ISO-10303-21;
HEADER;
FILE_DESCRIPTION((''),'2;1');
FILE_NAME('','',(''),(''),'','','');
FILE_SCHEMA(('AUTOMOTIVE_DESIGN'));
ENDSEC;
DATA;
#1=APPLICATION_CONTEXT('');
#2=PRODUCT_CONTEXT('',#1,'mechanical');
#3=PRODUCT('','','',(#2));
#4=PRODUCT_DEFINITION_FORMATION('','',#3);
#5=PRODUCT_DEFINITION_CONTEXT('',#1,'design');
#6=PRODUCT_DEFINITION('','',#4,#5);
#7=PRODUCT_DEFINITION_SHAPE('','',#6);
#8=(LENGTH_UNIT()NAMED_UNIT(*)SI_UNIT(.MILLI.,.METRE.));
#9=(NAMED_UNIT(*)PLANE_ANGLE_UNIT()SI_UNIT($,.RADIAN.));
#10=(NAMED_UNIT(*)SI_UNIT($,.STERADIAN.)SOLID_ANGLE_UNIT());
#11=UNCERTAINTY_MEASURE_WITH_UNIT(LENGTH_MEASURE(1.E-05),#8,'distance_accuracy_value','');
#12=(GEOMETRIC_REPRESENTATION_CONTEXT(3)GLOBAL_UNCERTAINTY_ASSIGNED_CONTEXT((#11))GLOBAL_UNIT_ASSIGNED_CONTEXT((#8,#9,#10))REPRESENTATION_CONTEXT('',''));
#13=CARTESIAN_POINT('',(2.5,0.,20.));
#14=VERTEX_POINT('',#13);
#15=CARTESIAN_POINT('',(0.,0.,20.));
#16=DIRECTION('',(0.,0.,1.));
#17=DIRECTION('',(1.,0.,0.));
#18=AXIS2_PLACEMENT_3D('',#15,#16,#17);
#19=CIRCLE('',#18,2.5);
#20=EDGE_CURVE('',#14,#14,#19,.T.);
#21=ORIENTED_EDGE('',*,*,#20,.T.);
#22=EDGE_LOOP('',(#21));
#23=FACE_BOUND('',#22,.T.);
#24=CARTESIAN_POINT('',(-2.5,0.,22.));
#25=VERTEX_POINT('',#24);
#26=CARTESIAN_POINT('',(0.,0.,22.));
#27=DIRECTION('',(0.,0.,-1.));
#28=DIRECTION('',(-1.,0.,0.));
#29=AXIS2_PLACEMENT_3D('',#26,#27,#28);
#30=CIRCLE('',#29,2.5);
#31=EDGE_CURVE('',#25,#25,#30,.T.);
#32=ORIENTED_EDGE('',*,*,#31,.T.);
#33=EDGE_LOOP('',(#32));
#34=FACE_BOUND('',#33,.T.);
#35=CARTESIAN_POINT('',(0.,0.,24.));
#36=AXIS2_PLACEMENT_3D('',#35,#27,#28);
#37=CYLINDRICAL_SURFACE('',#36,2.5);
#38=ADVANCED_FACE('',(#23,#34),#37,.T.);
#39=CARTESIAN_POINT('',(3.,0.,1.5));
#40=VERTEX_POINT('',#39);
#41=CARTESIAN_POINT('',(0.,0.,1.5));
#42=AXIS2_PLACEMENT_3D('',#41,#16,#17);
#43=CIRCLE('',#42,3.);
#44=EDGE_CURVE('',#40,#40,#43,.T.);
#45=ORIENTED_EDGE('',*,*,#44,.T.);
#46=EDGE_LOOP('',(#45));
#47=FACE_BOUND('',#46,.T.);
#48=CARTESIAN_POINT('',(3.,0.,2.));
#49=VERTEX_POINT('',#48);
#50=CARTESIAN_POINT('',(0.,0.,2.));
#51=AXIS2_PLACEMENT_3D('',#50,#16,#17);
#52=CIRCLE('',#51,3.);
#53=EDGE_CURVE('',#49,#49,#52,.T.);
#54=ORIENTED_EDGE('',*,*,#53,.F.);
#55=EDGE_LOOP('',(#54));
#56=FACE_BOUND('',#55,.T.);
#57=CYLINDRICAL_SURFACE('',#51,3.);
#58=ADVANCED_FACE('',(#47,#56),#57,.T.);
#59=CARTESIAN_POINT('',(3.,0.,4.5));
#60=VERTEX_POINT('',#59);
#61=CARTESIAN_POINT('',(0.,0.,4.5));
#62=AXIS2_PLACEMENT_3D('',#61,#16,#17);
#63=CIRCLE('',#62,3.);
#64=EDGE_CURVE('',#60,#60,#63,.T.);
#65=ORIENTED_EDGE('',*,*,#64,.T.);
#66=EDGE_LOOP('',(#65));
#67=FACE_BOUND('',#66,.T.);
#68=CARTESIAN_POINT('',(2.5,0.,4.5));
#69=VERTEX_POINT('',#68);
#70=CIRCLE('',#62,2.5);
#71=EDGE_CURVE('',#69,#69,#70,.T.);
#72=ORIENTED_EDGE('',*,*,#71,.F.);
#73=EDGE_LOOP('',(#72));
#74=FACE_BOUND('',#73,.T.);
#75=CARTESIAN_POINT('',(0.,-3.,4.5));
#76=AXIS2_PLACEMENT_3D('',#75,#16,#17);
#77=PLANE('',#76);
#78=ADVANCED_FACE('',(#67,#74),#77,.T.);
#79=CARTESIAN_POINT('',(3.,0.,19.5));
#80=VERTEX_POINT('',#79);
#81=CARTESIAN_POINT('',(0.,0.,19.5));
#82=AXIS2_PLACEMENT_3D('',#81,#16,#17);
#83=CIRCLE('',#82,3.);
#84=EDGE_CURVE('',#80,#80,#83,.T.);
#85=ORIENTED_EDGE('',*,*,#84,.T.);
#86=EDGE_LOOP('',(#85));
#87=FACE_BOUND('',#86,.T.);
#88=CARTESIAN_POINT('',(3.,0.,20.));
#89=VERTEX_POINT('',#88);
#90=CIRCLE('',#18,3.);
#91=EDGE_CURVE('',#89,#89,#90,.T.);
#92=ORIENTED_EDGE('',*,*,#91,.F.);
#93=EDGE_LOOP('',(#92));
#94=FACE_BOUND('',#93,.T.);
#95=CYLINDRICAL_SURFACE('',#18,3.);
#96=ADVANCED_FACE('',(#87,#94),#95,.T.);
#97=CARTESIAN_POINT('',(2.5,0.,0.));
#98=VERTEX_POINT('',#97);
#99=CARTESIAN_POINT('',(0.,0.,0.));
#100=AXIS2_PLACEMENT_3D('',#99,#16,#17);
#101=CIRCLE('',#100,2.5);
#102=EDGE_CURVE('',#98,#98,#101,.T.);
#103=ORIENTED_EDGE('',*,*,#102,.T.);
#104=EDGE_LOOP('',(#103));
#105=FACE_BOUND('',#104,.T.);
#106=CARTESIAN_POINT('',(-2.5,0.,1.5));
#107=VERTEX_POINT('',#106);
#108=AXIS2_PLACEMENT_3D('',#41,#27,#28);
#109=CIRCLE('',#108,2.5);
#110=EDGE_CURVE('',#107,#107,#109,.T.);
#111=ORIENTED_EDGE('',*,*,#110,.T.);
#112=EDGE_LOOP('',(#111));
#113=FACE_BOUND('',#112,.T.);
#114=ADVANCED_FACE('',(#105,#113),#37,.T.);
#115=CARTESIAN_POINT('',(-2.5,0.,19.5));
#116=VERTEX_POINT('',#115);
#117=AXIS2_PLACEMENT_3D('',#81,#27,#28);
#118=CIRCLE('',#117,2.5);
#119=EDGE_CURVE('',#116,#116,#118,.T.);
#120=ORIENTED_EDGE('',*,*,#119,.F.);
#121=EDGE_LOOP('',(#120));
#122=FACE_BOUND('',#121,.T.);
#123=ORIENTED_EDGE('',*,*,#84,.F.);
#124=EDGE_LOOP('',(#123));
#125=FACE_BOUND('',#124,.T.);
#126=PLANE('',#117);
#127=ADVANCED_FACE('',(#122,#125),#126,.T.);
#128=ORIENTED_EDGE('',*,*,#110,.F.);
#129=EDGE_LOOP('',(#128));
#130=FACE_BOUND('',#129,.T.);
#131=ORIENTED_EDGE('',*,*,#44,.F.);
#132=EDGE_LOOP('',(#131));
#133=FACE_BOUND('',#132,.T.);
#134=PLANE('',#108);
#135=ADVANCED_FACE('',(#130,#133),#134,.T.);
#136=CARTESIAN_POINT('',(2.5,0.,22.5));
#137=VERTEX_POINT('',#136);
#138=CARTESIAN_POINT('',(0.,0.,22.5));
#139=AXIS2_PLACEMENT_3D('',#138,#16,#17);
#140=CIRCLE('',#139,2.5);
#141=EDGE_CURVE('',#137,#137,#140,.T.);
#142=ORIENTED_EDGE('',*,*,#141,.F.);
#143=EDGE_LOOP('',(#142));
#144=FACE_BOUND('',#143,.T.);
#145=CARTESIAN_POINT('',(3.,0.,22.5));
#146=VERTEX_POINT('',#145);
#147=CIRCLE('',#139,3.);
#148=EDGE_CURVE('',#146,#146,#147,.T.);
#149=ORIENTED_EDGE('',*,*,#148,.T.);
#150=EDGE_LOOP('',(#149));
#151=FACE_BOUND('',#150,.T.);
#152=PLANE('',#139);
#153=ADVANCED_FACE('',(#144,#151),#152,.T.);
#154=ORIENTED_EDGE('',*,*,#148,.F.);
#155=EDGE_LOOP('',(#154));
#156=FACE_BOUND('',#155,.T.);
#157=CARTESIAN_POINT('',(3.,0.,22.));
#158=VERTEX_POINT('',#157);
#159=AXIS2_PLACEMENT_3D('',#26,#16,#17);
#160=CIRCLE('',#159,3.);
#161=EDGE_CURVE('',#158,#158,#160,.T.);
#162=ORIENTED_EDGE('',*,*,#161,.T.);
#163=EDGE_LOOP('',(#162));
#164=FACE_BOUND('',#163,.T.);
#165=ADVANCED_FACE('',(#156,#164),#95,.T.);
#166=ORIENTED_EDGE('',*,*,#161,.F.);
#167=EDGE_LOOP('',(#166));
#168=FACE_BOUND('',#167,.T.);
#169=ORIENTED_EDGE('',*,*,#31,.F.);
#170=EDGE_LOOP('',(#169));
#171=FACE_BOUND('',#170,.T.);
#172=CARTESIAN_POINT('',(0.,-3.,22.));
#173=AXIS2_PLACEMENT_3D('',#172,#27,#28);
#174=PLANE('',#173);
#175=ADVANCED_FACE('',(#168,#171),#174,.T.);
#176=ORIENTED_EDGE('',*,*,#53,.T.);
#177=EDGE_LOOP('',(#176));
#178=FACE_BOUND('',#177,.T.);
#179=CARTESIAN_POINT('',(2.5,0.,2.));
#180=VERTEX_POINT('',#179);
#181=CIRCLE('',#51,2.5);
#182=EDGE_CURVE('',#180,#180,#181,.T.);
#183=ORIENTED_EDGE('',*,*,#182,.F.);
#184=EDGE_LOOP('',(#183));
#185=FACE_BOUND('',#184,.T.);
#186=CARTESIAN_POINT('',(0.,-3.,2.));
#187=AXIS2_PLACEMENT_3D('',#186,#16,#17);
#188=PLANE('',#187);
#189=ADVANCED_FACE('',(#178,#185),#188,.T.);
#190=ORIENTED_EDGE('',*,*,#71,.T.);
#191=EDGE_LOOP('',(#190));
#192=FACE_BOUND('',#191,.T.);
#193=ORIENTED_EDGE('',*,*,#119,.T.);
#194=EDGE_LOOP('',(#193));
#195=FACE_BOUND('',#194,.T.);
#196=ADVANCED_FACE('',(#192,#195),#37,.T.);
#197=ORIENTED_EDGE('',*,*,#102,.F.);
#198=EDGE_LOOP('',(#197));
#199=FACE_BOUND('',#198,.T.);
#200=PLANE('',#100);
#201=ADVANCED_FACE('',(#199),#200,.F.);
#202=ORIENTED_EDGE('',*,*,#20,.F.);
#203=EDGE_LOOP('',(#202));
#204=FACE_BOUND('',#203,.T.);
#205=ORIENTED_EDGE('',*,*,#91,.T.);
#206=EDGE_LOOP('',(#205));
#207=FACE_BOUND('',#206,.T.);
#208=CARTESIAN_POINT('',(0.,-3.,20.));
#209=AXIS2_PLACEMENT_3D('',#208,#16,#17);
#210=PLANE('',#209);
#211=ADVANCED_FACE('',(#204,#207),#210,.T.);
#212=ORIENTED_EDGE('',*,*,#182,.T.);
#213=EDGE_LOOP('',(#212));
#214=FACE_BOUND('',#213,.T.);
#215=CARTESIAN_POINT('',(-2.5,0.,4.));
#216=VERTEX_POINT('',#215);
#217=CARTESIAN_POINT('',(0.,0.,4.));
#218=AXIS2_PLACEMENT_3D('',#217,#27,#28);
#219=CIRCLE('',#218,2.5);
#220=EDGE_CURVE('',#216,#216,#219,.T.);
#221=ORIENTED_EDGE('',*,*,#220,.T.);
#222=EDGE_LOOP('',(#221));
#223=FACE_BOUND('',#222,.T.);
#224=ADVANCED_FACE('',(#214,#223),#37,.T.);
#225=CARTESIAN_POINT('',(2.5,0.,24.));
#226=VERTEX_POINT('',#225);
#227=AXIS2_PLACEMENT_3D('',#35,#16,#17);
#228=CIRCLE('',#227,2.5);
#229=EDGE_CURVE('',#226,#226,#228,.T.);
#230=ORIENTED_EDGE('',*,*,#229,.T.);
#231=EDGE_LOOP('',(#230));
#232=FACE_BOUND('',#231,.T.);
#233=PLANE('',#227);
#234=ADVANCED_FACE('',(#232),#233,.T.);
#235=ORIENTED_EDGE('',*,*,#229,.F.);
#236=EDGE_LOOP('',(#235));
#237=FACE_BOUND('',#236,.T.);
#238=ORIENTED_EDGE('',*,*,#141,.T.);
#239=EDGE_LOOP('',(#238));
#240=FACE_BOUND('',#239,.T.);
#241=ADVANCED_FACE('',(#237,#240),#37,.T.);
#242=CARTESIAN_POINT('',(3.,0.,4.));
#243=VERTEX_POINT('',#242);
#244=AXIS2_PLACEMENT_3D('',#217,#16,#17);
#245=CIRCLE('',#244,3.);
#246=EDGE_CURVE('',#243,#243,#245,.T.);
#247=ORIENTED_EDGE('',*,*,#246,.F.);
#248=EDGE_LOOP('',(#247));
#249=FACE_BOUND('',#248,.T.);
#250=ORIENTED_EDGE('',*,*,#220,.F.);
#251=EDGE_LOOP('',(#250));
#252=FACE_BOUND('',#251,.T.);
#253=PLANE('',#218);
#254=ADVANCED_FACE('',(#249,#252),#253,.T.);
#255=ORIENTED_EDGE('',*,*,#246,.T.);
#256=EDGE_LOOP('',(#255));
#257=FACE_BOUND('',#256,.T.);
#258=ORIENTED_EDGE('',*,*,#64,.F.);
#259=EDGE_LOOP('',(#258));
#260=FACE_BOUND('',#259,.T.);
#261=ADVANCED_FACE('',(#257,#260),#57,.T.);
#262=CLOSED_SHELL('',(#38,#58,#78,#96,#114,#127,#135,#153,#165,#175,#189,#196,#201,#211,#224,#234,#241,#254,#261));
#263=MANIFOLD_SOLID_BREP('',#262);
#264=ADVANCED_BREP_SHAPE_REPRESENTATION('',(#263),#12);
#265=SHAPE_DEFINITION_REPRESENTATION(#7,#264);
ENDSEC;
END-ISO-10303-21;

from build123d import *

# Parameters (mm, degrees)
ESBO_O1_R                = 2.5
RESSALTO_EXTRUS_O1_DEPTH = 24
ESBO_O2_W                = 0.5
ESBO_O2_H                = 3
ESBO_O4_W                = 0.5
ESBO_O4_H                = 3


with BuildPart() as part:
    # Esboço1 → Ressalto-extrusão1 (new body)
    with BuildSketch(Plane.XY):
        Circle(ESBO_O1_R)
    extrude(amount=RESSALTO_EXTRUS_O1_DEPTH)

    # Esboço2 → Revolução1 (revolve)
    with BuildSketch(Plane(origin=(0, 0, 0), x_dir=(0, 0, -1), z_dir=(1, 0, 0)), mode=Mode.PRIVATE) as revolu_o1_sk:
        with Locations((-1.75, -1.5)):
            Rectangle(ESBO_O2_W, ESBO_O2_H)
        with Locations((-4.25, -1.5)):
            Rectangle(ESBO_O2_W, ESBO_O2_H)
    revolve(revolu_o1_sk.sketch.rotate(Axis((0, 0, 2), (0, 0, -1)), 270), axis=Axis((0, 0, 2), (0, 0, -1)))

    # Esboço4 → Revolução2 (revolve)
    with BuildSketch(Plane(origin=(0, 0, 0), x_dir=(0, 0, -1), z_dir=(1, 0, 0)), mode=Mode.PRIVATE) as revolu_o2_sk:
        with Locations((-19.75, -1.5)):
            Rectangle(ESBO_O4_W, ESBO_O4_H)
        with Locations((-22.25, -1.5)):
            Rectangle(ESBO_O4_W, ESBO_O4_H)
    revolve(revolu_o2_sk.sketch.rotate(Axis((0, 0, 20), (0, 0, -1)), 90), axis=Axis((0, 0, 20), (0, 0, -1)))


solid = part.part
